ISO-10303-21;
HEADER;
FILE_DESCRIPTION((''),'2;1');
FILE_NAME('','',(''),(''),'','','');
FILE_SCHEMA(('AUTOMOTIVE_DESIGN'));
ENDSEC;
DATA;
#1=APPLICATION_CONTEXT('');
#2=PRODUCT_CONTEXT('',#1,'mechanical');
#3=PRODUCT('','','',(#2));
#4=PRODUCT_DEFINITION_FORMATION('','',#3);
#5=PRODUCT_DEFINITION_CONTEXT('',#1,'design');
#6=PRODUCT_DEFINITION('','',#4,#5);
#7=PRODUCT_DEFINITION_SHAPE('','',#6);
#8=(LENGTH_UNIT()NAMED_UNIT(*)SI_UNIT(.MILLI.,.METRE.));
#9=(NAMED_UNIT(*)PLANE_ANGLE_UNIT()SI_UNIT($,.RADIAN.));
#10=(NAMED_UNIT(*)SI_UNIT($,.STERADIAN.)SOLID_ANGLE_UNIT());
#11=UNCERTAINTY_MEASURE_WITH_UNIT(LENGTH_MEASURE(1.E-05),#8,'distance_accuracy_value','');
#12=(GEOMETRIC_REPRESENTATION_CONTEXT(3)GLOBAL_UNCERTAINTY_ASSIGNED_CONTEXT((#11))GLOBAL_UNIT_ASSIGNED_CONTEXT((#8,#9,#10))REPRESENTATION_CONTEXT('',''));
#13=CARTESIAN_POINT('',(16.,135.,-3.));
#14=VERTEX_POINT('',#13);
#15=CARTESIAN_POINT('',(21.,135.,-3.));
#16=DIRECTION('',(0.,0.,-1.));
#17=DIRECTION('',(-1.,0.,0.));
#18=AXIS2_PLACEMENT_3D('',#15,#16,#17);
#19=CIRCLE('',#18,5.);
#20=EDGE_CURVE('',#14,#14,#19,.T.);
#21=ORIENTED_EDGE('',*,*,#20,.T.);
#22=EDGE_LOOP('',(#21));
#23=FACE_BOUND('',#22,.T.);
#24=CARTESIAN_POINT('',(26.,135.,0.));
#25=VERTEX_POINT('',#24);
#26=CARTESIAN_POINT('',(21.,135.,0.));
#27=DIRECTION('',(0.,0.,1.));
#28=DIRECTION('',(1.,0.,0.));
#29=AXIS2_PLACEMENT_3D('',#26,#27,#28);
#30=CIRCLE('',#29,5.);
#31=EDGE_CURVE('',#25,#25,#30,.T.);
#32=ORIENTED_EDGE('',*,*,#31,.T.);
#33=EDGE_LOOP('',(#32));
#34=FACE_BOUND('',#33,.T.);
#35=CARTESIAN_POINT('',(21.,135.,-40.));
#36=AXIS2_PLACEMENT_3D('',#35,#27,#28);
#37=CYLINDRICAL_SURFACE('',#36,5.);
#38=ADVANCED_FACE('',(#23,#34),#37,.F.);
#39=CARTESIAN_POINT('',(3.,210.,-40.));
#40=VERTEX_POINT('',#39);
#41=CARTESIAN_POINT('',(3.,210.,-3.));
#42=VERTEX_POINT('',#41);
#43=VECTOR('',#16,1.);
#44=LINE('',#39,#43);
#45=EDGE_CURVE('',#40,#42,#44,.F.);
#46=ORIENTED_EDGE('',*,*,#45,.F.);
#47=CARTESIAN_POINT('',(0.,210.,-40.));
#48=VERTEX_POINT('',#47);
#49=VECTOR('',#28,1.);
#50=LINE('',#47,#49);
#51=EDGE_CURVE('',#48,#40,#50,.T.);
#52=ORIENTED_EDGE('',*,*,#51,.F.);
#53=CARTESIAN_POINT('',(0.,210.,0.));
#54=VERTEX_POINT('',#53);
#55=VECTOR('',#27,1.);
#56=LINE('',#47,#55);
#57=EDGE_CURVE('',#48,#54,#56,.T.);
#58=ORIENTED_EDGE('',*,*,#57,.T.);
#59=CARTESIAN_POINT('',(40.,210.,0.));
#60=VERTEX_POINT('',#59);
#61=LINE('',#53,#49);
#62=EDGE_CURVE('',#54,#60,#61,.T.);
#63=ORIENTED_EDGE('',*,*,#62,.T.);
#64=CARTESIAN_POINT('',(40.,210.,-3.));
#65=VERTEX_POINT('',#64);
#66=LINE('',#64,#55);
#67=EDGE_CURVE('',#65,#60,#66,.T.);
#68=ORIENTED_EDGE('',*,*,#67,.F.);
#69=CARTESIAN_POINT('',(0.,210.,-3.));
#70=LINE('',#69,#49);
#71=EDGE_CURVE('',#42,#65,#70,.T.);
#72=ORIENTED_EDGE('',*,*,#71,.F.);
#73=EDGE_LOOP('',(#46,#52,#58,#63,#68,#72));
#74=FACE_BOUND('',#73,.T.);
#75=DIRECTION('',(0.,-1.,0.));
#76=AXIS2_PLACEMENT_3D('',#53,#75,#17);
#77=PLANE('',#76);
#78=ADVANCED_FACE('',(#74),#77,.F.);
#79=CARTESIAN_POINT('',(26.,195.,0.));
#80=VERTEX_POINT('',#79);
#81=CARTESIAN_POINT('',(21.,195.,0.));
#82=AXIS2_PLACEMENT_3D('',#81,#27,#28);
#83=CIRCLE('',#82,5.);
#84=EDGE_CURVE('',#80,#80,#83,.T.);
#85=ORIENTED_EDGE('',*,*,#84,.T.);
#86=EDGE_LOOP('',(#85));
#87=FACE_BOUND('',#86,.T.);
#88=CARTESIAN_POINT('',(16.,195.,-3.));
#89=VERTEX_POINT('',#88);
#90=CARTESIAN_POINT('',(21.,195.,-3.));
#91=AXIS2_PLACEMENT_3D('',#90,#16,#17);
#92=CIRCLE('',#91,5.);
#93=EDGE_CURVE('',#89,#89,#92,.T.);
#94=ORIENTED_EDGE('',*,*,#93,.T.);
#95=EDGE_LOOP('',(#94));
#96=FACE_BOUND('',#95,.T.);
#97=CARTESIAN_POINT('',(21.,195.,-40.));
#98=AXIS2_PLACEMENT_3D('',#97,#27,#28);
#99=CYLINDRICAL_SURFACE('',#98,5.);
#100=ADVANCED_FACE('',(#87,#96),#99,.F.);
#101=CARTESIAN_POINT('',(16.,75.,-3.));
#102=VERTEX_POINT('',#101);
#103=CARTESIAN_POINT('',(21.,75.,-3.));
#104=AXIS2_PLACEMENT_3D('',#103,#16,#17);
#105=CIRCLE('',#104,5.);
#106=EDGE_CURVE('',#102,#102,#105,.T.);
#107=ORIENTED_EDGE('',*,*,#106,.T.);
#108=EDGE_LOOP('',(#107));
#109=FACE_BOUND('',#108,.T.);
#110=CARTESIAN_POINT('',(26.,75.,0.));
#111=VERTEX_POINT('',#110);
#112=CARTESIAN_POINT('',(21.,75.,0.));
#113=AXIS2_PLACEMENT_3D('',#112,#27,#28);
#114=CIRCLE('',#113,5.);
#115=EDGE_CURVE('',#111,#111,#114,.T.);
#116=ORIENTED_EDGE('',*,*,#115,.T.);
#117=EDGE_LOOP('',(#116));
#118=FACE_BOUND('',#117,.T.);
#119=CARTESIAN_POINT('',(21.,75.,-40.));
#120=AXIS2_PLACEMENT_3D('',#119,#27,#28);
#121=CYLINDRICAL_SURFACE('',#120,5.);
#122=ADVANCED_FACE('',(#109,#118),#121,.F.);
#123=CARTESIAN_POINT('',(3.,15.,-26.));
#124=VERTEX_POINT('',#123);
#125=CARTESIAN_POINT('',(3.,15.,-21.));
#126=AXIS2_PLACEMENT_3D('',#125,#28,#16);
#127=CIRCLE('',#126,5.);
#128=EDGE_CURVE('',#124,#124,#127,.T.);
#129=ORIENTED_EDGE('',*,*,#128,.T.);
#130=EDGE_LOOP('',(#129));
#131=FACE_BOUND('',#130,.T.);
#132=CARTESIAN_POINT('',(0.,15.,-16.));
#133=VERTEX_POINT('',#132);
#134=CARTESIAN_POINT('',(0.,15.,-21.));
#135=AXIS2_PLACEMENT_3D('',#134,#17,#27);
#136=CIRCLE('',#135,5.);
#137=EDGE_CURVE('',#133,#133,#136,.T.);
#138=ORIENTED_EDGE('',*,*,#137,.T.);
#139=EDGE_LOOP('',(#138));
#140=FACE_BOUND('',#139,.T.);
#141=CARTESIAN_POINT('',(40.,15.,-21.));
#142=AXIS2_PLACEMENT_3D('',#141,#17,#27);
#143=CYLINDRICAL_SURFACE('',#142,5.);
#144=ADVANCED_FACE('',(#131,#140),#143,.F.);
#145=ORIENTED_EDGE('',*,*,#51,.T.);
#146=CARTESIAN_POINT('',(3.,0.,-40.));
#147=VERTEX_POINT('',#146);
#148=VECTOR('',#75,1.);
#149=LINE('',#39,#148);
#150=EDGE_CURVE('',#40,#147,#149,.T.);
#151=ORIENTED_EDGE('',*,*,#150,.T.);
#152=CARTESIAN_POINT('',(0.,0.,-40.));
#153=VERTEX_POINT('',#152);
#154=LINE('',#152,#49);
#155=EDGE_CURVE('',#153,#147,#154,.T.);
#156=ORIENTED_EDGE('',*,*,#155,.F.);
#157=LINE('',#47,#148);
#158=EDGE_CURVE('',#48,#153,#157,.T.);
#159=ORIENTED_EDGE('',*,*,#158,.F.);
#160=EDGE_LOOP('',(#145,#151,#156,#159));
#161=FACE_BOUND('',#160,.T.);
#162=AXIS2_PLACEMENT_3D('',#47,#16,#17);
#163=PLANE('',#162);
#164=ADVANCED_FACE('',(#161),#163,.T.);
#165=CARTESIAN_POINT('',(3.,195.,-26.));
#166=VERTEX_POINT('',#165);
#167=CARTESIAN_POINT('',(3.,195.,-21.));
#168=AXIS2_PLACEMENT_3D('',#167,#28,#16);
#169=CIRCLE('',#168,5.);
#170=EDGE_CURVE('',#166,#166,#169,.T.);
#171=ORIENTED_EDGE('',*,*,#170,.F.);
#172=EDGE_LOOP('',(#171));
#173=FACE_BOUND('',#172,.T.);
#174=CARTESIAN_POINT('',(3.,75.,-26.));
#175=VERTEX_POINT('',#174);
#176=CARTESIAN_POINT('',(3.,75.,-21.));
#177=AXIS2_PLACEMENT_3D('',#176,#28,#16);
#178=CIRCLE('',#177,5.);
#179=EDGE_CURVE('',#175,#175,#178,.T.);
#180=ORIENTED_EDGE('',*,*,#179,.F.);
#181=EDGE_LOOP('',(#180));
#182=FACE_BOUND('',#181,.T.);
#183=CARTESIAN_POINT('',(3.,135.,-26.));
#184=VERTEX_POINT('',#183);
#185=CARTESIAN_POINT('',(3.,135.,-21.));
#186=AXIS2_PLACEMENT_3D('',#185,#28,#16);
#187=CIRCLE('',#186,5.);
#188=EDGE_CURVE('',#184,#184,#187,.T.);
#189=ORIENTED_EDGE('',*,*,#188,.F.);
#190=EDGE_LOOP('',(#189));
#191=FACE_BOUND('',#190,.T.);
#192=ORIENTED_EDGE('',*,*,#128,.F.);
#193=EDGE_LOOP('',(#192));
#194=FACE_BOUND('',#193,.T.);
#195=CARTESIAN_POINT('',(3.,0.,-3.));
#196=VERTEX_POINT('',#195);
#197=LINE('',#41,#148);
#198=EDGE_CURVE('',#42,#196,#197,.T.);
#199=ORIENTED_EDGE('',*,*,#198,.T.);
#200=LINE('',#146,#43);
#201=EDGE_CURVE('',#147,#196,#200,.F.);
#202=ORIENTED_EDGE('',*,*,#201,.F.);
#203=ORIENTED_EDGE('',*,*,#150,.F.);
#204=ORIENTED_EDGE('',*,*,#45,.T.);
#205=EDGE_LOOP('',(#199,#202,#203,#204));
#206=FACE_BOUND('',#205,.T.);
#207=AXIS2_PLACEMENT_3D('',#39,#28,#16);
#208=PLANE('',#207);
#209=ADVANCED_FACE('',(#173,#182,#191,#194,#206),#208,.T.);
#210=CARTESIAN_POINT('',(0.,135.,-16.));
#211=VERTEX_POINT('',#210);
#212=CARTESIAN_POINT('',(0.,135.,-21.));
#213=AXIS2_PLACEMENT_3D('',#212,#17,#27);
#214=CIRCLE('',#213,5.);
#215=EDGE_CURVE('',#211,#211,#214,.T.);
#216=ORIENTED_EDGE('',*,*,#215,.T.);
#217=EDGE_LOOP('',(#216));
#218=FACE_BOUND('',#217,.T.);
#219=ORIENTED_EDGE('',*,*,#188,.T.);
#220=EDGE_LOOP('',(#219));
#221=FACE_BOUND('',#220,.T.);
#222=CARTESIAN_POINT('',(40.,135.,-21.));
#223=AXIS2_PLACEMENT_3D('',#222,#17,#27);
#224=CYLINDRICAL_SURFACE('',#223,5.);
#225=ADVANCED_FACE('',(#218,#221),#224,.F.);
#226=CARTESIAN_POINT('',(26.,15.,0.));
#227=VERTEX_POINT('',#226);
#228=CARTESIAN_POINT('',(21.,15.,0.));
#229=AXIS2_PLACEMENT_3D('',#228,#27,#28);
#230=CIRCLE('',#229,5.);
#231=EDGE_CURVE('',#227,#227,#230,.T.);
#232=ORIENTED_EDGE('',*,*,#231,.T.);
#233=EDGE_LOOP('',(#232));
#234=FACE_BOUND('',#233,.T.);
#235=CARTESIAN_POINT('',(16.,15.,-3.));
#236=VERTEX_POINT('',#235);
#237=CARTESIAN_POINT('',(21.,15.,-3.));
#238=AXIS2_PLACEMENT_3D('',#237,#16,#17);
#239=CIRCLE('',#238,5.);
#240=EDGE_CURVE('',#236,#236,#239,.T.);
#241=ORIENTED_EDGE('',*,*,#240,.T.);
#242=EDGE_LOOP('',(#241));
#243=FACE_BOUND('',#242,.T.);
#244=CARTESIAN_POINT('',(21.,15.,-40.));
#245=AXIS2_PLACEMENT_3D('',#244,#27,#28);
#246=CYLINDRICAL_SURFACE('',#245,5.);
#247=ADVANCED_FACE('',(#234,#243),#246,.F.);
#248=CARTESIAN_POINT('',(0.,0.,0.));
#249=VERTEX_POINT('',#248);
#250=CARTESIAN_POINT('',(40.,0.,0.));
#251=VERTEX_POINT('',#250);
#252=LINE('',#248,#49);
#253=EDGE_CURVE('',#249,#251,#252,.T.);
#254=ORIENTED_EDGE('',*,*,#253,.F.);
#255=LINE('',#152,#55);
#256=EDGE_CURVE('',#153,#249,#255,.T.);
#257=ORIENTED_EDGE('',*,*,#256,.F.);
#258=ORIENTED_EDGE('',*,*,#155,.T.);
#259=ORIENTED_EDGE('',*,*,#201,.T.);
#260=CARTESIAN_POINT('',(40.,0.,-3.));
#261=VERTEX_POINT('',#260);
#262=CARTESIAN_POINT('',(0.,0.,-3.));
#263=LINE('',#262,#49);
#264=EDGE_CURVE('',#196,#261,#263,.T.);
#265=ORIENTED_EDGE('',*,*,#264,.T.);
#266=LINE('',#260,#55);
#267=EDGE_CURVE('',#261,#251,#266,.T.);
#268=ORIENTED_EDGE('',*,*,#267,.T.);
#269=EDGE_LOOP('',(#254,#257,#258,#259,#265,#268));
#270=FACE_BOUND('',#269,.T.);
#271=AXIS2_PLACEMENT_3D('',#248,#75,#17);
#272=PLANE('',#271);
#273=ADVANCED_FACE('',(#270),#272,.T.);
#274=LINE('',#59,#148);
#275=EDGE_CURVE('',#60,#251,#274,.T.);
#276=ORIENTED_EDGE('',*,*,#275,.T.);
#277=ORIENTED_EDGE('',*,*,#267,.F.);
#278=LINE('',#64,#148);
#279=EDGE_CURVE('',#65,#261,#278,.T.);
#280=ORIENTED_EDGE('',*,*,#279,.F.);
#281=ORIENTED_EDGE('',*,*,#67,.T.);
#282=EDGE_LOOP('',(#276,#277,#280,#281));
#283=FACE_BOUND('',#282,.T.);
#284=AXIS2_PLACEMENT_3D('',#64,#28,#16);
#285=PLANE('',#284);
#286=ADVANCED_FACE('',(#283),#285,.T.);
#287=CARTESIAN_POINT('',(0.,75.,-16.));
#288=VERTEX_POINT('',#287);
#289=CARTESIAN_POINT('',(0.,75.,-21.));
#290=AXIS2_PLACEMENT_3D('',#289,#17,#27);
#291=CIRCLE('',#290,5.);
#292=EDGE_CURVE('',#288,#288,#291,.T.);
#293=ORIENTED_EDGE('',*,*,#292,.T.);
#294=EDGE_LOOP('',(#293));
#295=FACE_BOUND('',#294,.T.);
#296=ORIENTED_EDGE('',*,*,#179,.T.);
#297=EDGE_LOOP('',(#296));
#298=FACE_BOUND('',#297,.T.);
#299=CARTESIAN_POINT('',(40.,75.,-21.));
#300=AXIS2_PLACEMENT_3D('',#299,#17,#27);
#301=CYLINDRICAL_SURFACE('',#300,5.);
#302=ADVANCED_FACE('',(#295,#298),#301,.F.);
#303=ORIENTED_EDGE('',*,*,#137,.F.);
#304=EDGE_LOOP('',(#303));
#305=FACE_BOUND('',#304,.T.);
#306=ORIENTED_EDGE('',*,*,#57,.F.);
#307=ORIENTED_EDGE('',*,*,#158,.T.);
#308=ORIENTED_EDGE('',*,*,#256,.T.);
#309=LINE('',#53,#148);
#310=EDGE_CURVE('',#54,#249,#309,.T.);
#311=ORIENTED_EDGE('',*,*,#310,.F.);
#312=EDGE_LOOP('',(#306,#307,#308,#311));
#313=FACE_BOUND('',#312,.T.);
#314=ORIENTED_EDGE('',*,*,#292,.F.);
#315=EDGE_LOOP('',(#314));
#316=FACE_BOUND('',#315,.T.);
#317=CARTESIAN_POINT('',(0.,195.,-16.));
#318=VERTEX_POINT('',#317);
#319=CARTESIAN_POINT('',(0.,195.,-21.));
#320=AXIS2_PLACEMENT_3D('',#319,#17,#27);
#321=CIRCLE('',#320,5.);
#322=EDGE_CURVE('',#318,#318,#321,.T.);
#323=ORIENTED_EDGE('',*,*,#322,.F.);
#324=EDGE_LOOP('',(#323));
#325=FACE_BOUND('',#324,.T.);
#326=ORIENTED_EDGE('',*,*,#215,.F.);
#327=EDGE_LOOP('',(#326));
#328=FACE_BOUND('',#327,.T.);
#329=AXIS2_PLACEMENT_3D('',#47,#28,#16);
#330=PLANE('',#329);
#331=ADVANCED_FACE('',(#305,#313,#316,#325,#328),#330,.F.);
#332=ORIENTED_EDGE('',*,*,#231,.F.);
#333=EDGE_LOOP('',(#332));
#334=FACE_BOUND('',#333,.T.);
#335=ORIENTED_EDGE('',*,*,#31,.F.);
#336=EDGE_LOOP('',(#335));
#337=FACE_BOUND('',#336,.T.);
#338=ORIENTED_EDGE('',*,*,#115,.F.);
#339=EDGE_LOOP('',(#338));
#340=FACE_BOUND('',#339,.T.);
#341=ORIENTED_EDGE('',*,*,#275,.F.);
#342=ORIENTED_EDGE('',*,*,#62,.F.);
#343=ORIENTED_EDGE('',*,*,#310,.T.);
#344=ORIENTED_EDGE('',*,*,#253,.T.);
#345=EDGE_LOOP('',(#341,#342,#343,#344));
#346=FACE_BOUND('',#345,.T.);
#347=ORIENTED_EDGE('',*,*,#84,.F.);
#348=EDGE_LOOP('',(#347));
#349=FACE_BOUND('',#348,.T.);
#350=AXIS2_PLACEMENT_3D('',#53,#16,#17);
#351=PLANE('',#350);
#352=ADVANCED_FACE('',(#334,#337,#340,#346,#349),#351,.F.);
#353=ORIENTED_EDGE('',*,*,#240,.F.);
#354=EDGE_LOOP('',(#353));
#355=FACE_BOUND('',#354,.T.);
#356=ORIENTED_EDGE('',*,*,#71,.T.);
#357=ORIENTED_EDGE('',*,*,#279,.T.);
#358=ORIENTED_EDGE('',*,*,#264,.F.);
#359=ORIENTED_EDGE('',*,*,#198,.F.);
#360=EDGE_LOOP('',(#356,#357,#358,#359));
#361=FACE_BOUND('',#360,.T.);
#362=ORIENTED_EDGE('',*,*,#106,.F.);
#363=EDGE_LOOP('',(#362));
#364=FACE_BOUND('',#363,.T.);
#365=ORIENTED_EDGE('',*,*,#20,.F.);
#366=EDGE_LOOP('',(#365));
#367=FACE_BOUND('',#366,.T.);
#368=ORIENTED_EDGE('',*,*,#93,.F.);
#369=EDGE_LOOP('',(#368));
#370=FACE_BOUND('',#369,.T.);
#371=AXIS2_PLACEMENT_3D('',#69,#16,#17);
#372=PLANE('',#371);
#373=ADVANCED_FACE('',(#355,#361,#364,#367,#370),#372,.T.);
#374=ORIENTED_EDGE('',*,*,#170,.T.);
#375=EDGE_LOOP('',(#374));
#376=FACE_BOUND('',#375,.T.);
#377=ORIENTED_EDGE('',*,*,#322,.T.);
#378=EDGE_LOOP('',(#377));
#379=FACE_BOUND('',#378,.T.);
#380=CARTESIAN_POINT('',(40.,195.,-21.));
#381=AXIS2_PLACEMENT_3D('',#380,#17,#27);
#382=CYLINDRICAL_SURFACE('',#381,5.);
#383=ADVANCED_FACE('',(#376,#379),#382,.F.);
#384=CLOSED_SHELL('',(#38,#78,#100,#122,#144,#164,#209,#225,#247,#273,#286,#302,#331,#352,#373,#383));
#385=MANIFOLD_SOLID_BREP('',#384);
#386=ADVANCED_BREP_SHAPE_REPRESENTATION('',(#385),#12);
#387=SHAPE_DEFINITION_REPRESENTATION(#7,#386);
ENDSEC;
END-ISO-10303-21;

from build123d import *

# Parameters (mm, degrees)
EXTRUDE_1_DEPTH     = 210
SKETCH_2_R          = 5
CUT_EXTRUDE_1_DEPTH = 41
SKETCH_3_R          = 5
CUT_EXTRUDE_2_DEPTH = 41


with BuildPart() as part:
    # Эскиз1 → Вытянуть-Тонкостенный1 (new body)
    with BuildSketch(Plane(origin=(0, 0, 0), x_dir=(1, 0, 0), z_dir=(0, 1, 0))):
        Polygon((0, 40), (0, 0), (40, 0), (40, 3), (3, 3), (3, 40), align=None)
    extrude(amount=EXTRUDE_1_DEPTH)

    # Эскиз2 → Вырез-Вытянуть1 (cut, through all)
    with BuildSketch(Plane.ZY):
        with Locations((-21, 15)):
            Circle(SKETCH_2_R)
        with Locations((-21, 75)):
            Circle(SKETCH_2_R)
        with Locations((-21, 135)):
            Circle(SKETCH_2_R)
        with Locations((-21, 195)):
            Circle(SKETCH_2_R)
    extrude(amount=-CUT_EXTRUDE_1_DEPTH, mode=Mode.SUBTRACT)

    # Эскиз3 → Вырез-Вытянуть2 (cut, through all)
    with BuildSketch(Plane.XY):
        with Locations((21, 15)):
            Circle(SKETCH_3_R)
        with Locations((21, 75)):
            Circle(SKETCH_3_R)
        with Locations((21, 135)):
            Circle(SKETCH_3_R)
        with Locations((21, 195)):
            Circle(SKETCH_3_R)
    extrude(amount=-CUT_EXTRUDE_2_DEPTH, mode=Mode.SUBTRACT)


solid = part.part
